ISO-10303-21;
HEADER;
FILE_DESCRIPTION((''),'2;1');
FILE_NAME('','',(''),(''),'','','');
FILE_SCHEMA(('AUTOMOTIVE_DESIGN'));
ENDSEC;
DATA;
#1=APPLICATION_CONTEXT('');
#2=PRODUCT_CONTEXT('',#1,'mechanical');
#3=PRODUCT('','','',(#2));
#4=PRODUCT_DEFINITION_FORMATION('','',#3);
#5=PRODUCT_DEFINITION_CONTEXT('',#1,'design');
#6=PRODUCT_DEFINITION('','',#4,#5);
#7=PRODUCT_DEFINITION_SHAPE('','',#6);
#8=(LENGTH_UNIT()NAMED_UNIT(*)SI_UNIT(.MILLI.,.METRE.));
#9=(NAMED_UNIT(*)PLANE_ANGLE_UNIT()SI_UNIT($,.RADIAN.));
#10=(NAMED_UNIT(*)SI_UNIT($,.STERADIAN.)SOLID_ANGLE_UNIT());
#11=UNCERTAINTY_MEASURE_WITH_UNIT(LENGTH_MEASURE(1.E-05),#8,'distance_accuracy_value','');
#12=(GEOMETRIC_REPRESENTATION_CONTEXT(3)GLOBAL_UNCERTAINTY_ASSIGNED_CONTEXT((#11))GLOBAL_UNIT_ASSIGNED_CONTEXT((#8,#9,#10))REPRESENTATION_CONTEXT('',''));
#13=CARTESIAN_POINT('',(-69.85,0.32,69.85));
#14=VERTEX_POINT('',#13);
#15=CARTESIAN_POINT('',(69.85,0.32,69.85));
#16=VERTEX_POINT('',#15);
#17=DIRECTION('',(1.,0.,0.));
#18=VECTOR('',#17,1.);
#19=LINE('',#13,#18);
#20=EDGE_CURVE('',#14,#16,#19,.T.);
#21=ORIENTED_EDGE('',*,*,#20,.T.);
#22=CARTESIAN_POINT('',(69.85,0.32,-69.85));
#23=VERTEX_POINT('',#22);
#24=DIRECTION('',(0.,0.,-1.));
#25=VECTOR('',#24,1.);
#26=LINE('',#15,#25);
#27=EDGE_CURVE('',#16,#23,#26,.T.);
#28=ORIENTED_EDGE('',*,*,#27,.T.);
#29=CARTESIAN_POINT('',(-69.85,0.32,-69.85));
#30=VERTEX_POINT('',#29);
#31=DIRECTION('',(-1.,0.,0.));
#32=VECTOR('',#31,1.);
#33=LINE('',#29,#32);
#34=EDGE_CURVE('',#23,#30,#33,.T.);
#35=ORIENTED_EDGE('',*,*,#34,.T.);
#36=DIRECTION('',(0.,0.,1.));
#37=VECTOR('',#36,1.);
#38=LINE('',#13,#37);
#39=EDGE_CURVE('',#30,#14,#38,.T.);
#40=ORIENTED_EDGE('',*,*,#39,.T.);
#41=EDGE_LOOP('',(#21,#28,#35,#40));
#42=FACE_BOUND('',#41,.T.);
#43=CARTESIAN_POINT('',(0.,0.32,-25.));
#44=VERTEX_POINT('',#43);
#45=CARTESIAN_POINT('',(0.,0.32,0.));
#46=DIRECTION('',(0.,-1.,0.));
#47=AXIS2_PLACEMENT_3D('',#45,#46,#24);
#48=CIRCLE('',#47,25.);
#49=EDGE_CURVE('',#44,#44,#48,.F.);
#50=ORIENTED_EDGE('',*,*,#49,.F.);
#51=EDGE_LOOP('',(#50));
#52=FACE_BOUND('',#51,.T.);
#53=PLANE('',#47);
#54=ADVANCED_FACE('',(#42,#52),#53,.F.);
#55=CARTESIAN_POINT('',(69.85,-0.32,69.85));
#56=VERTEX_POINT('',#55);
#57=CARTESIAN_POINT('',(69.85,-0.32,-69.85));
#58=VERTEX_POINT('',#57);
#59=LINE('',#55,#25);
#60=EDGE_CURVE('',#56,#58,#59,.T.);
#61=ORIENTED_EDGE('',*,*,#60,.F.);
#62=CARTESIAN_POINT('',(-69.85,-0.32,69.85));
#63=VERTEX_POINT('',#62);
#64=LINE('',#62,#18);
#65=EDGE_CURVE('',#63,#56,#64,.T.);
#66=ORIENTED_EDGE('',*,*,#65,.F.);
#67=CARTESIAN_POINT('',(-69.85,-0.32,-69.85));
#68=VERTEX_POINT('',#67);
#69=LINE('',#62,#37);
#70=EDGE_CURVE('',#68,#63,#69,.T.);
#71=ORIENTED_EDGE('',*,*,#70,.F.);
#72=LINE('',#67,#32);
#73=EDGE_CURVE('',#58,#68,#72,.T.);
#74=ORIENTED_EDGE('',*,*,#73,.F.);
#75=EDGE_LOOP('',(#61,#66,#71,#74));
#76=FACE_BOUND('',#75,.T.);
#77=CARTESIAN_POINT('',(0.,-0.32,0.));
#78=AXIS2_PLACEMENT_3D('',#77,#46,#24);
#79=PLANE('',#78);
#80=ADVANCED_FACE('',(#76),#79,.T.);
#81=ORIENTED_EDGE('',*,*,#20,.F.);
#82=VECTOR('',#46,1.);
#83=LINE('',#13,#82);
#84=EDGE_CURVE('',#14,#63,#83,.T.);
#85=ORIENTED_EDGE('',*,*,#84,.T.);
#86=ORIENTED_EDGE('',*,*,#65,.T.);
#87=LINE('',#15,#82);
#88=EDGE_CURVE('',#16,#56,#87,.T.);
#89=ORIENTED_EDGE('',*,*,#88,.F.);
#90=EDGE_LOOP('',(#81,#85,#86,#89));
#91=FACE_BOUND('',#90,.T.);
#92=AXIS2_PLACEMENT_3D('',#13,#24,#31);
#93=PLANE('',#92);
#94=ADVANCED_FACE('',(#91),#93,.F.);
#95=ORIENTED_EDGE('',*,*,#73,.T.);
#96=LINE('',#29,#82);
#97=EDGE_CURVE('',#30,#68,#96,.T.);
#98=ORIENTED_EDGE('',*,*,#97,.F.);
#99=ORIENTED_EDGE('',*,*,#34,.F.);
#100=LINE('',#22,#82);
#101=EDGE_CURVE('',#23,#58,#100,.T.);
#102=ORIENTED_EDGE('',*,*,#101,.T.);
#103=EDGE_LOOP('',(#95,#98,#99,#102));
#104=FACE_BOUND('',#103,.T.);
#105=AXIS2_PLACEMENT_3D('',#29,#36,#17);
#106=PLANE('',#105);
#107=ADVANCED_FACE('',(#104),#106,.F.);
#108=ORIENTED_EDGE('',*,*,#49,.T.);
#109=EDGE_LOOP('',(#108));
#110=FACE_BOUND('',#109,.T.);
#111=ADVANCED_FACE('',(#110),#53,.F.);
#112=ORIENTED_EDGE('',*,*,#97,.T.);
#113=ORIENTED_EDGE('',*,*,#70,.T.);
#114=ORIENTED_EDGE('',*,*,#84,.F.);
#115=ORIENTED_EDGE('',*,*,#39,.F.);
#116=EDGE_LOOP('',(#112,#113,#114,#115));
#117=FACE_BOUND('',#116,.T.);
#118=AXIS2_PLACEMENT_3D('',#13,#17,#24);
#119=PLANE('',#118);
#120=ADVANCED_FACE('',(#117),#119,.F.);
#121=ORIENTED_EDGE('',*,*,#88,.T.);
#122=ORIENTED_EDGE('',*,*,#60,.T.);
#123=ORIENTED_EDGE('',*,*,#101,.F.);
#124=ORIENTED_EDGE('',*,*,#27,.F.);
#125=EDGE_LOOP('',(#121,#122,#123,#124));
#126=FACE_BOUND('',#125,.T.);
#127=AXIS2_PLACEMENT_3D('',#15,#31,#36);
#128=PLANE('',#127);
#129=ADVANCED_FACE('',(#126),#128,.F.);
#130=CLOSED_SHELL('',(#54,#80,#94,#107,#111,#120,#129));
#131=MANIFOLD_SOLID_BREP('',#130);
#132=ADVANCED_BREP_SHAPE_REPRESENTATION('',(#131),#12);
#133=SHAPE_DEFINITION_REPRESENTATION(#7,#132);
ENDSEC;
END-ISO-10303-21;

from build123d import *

# Parameters (mm, degrees)
SKETCH1_W           = 139.7
SKETCH1_H           = 139.7
BOSS_EXTRUDE1_DEPTH = 0.32


with BuildPart() as part:
    # Sketch1 → Boss-Extrude1 (new, symmetric)
    with BuildSketch(Plane(origin=(0, 0, 0), x_dir=(1, 0, 0), z_dir=(0, 1, 0))):
        Rectangle(SKETCH1_W, SKETCH1_H)
    extrude(amount=BOSS_EXTRUDE1_DEPTH, both=True)


solid = part.part
